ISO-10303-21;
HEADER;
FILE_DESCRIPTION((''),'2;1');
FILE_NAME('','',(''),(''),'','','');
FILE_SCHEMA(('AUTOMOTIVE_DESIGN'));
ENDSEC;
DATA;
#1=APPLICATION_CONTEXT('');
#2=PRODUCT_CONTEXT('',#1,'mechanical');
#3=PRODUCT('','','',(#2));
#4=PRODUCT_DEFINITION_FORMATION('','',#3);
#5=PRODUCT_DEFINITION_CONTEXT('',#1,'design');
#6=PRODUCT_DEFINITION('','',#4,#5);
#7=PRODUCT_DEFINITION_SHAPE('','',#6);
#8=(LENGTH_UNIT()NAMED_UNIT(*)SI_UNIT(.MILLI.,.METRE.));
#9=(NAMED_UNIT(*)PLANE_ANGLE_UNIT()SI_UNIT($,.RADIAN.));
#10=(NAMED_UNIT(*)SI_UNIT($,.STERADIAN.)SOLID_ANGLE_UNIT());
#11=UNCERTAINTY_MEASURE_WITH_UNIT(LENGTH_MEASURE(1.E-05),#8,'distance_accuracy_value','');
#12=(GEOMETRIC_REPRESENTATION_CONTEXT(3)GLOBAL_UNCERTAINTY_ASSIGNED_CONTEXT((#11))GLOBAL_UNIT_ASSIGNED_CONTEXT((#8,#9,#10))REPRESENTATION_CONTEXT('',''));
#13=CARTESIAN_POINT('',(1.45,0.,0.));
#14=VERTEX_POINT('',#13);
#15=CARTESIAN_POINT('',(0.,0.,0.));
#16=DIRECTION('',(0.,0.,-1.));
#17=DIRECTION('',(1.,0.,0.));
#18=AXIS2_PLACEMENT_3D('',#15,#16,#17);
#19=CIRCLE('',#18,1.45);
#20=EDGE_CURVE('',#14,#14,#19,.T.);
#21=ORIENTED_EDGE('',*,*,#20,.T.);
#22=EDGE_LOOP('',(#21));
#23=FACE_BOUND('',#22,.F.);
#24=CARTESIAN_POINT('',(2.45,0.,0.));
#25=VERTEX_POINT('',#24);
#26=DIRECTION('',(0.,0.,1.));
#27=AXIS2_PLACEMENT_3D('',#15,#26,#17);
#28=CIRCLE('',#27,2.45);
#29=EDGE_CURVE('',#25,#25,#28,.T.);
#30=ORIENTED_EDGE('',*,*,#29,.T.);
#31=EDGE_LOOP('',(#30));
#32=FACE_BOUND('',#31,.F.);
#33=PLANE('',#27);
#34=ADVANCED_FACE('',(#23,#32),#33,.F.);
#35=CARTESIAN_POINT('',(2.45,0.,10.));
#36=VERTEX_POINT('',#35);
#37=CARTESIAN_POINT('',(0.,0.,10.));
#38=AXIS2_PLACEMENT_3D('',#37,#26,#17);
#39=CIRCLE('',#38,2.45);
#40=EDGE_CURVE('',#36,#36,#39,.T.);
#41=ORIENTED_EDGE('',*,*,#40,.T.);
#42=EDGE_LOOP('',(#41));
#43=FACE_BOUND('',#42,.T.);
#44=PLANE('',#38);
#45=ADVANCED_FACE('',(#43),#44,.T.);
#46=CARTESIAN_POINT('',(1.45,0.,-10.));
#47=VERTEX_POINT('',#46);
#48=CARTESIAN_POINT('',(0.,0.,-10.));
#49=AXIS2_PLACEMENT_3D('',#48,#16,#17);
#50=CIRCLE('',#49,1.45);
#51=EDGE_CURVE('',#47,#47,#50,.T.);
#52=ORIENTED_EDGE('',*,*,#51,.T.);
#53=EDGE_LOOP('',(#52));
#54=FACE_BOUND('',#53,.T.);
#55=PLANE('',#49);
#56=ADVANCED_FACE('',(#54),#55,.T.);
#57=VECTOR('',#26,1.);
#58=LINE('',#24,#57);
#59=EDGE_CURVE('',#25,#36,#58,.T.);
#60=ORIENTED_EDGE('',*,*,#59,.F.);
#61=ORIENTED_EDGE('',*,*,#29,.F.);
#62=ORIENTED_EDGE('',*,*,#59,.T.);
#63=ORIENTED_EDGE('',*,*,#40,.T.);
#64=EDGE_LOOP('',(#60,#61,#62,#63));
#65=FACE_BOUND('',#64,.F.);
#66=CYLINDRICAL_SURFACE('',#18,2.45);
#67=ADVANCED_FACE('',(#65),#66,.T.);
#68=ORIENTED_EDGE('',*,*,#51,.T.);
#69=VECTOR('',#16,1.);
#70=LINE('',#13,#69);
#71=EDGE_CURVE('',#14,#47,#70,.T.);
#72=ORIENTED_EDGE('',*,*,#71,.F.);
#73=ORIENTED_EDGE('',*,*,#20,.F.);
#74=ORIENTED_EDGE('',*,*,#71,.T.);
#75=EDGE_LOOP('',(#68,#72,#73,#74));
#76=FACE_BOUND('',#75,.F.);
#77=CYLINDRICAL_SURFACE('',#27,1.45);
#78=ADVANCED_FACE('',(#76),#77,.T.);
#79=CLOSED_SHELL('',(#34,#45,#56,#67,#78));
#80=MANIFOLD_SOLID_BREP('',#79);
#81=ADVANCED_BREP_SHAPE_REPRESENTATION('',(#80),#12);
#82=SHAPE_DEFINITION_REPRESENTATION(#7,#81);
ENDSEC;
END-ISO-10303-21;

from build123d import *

# Parameters (mm, degrees)
F0_R     = 2.45
F0_R_2   = 1.5
F1_DEPTH = 10
F2_R     = 1.45
F3_DEPTH = 10


with BuildPart() as f1:
    # F0 (on Top) → F1 (new body)
    with BuildSketch(Plane.XY):
        Circle(F0_R)
        Circle(F0_R_2, mode=Mode.SUBTRACT)
        Circle(F0_R_2)
    extrude(amount=F1_DEPTH)

    # F2 (on face) → F3 (join)
    with BuildSketch(Plane(origin=(0, 0, 0), x_dir=(1, 0, 0), z_dir=(0, 0, -1))):
        Circle(F2_R)
    extrude(amount=F3_DEPTH)


solid = f1.part
